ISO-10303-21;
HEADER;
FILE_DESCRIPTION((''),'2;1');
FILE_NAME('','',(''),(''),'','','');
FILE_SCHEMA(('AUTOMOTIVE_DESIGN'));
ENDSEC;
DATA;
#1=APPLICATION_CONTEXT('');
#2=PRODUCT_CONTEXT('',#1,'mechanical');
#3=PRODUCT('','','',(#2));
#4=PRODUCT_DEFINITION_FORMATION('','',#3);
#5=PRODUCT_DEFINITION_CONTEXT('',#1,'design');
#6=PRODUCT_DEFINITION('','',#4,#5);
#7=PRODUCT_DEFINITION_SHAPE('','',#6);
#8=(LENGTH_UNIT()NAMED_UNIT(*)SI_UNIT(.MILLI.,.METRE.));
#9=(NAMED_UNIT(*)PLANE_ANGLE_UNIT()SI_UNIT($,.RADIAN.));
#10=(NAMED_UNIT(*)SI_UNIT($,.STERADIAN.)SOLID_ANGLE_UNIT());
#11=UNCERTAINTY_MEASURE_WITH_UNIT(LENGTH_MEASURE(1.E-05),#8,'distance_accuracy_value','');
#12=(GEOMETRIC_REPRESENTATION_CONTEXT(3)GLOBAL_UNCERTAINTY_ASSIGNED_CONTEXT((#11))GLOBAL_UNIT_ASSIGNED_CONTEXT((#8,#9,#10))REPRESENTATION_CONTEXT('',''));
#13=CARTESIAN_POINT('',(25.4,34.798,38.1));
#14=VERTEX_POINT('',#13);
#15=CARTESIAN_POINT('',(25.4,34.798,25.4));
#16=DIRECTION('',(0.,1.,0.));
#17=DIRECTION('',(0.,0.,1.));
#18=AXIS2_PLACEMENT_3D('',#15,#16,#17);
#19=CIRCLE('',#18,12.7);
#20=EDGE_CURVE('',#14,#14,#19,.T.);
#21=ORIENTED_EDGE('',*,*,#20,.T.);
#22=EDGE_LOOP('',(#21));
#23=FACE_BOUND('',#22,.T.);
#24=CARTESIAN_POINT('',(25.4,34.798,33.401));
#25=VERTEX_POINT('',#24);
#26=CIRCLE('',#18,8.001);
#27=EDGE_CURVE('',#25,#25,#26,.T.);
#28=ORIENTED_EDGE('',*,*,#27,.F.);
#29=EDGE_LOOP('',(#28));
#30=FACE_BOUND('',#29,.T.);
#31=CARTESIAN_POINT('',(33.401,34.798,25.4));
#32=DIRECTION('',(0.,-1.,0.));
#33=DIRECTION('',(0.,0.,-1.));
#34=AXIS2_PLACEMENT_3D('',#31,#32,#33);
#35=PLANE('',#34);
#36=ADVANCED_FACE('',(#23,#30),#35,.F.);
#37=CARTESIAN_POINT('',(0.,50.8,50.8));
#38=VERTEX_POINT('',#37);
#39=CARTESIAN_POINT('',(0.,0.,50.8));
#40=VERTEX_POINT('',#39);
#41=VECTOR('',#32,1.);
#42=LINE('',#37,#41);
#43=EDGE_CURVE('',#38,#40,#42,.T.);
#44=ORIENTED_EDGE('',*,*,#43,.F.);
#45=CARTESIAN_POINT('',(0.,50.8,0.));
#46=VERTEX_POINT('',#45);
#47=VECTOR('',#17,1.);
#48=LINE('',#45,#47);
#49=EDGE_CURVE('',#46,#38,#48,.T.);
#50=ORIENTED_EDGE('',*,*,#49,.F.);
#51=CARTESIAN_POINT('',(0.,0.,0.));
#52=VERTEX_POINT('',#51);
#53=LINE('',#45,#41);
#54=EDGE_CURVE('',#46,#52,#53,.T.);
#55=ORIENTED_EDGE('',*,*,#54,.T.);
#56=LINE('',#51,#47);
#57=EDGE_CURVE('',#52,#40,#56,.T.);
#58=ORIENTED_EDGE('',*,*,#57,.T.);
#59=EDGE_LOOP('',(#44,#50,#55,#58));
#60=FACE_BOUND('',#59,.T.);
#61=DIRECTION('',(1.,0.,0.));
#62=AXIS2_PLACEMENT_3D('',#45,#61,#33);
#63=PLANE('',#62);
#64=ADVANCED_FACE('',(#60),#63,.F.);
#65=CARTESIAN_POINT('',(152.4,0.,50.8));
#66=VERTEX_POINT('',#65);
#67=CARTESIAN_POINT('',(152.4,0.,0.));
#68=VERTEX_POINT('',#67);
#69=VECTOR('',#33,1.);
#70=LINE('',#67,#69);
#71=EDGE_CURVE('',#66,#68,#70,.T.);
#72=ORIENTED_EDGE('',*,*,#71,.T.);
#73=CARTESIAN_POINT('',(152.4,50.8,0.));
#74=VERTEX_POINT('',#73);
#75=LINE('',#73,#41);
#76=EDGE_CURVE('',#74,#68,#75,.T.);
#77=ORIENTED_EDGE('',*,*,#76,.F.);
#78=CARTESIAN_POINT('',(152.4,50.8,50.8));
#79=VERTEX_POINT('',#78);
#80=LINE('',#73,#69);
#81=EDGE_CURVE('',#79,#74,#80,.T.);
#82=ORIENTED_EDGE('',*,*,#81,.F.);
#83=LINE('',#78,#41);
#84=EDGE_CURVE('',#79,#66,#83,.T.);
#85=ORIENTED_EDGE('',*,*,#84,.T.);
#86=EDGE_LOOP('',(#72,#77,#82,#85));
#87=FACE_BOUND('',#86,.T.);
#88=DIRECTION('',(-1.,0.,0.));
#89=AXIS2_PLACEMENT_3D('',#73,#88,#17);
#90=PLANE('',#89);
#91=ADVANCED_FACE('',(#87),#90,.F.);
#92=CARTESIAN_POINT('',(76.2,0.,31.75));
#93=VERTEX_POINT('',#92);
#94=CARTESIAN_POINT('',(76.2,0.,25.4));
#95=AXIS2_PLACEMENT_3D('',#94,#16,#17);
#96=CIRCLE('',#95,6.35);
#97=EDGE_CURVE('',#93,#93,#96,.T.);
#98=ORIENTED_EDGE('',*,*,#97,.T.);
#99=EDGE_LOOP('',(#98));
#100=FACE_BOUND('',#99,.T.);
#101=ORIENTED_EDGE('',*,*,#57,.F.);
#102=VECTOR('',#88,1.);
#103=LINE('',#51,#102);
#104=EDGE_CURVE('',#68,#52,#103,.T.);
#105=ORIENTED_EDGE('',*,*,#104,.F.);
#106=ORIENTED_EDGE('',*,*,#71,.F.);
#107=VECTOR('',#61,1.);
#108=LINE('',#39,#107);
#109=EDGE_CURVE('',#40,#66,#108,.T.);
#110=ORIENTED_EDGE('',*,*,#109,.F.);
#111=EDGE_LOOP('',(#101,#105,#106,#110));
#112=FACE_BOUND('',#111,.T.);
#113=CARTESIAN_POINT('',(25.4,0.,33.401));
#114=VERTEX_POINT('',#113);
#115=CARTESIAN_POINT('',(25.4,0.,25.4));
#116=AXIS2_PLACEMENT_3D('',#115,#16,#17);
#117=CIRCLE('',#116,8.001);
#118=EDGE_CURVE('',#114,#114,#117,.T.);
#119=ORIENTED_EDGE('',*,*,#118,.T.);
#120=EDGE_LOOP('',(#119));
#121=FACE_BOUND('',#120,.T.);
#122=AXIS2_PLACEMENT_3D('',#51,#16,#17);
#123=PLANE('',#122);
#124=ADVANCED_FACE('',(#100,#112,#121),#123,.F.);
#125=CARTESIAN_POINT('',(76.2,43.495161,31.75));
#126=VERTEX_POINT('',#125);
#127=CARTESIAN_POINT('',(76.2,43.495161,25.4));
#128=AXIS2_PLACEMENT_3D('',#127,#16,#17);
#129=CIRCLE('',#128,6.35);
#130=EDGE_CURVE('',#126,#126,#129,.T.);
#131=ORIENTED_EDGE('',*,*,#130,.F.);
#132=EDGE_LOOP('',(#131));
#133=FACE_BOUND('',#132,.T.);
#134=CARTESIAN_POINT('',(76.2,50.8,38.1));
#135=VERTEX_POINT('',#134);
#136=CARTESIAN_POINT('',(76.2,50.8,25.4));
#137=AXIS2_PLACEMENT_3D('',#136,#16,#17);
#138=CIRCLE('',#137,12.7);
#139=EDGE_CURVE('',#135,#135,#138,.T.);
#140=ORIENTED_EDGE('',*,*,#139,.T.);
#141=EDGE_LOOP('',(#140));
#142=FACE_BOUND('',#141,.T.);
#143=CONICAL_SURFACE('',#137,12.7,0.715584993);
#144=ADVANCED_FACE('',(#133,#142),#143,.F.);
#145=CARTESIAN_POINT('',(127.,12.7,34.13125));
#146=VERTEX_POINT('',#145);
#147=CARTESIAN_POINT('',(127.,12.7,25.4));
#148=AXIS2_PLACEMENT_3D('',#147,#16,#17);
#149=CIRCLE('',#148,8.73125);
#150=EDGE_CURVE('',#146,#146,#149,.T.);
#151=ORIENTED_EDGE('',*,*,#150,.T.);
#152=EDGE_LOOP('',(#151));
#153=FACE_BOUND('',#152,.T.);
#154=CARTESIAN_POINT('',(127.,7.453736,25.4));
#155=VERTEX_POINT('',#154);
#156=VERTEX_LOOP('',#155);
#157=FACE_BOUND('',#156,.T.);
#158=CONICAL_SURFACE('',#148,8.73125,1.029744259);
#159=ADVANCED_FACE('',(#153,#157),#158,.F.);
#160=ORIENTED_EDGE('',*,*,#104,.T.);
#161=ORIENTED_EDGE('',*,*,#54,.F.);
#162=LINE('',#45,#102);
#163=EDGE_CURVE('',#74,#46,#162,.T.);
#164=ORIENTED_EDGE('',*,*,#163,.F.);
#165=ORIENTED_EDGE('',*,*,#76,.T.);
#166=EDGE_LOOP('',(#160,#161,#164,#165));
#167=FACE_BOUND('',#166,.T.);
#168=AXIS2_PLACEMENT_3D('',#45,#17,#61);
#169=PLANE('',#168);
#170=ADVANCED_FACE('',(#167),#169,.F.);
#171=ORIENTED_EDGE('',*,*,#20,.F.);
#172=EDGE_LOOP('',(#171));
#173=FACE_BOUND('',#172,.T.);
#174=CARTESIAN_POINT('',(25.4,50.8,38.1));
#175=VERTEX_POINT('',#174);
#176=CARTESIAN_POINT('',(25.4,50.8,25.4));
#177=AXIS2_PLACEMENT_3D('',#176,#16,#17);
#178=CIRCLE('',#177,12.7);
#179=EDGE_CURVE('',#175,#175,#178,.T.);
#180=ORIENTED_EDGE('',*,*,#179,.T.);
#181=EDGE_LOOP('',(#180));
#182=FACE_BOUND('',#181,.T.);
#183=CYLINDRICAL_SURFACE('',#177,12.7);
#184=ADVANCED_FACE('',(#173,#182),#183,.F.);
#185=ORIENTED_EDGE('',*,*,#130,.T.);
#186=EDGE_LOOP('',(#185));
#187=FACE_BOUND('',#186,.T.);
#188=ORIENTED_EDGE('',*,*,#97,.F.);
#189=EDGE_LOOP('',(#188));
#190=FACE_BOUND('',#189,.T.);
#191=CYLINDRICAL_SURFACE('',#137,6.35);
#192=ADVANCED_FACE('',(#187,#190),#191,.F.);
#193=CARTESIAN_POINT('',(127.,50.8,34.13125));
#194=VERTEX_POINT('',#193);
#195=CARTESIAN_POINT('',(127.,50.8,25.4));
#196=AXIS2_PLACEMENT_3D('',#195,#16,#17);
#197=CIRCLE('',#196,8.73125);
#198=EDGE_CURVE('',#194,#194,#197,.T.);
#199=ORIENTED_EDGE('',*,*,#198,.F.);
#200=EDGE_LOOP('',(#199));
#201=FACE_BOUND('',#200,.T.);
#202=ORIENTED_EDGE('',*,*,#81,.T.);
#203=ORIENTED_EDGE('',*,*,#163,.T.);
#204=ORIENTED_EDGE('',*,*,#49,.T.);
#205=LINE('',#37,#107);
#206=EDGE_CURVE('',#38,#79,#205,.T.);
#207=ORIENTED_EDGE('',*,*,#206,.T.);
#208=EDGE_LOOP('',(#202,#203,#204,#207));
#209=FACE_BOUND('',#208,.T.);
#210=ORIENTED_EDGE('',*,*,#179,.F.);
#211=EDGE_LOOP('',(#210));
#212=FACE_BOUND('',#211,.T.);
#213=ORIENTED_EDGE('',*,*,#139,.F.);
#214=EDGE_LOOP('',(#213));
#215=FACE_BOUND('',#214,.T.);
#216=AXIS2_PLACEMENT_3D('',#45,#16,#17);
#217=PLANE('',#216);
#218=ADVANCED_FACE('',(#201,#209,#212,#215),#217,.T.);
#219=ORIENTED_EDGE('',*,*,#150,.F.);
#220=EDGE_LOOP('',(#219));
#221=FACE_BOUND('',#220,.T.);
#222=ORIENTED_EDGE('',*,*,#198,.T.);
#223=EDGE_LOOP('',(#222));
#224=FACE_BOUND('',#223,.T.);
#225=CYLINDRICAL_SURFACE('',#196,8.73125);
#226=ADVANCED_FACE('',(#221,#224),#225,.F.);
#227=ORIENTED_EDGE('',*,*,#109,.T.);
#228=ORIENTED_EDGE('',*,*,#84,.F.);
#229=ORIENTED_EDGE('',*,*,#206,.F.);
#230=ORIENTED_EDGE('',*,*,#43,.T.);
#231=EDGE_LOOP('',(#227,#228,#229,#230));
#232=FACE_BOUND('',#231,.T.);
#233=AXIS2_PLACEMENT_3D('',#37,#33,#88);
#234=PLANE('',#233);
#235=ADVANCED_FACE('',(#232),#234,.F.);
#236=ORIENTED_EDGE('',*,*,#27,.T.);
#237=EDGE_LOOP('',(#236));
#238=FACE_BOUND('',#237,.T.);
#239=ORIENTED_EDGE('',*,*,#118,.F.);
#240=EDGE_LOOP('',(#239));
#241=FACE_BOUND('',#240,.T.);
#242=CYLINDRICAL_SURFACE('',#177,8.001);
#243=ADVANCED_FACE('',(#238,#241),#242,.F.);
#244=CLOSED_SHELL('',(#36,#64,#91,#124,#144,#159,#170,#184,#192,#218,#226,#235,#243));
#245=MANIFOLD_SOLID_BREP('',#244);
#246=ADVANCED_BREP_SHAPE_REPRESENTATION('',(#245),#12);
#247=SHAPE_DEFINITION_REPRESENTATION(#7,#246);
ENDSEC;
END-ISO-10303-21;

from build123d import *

# Parameters (mm, degrees)
SKETCH1_W                                           = 152.4
SKETCH1_H                                           = 50.8
BOSS_EXTRUDE1_DEPTH                                 = 50.8
F_3_4_16_TAPPED_HOLE1_D                             = 17.4625
F_3_4_16_TAPPED_HOLE1_DEPTH                         = 38.1
F_3_4_16_TAPPED_HOLE1_TIP                           = 5.24626428
CBORE_FOR_0_BINDING_HEAD_MACHINE_SCREW2_D           = 16.002
CBORE_FOR_0_BINDING_HEAD_MACHINE_SCREW2_CBORE_D     = 25.4
CBORE_FOR_0_BINDING_HEAD_MACHINE_SCREW2_CBORE_DEPTH = 16.002
CSK_FOR_0_FLAT_HEAD_MACHINE_SCREW_100_D             = 12.7
CSK_FOR_0_FLAT_HEAD_MACHINE_SCREW_100_CSINK_D       = 25.4
CSK_FOR_0_FLAT_HEAD_MACHINE_SCREW_100_CSINK_ANGLE   = 82


with BuildPart() as part:
    # Sketch1 → Boss-Extrude1 (new body)
    with BuildSketch(Plane(origin=(0, 0, 0), x_dir=(1, 0, 0), z_dir=(0, 1, 0))):
        with Locations((76.2, -25.4)):
            Rectangle(SKETCH1_W, SKETCH1_H)
    extrude(amount=BOSS_EXTRUDE1_DEPTH)

    # 3/4-16 Tapped Hole1
    with Locations(Plane(origin=(0, 50.8, 0), x_dir=(1, 0, 0), z_dir=(0, 1, 0))):
        with Locations((127, -25.4)):
            Hole(F_3_4_16_TAPPED_HOLE1_D / 2, depth=F_3_4_16_TAPPED_HOLE1_DEPTH)
            with Locations((0, 0, -(F_3_4_16_TAPPED_HOLE1_DEPTH + F_3_4_16_TAPPED_HOLE1_TIP / 2))):  # 118° drill point
                Cone(0, F_3_4_16_TAPPED_HOLE1_D / 2, F_3_4_16_TAPPED_HOLE1_TIP, mode=Mode.SUBTRACT)

    # CBORE for #0 Binding Head Machine Screw2 (through all)
    with Locations(Plane(origin=(0, 50.8, 0), x_dir=(1, 0, 0), z_dir=(0, 1, 0))):
        with Locations((25.4, -25.4)):
            CounterBoreHole(CBORE_FOR_0_BINDING_HEAD_MACHINE_SCREW2_D / 2, CBORE_FOR_0_BINDING_HEAD_MACHINE_SCREW2_CBORE_D / 2, CBORE_FOR_0_BINDING_HEAD_MACHINE_SCREW2_CBORE_DEPTH)

    # CSK for #0 Flat Head Machine Screw (100)3 (through all)
    with Locations(Plane(origin=(0, 50.8, 0), x_dir=(1, 0, 0), z_dir=(0, 1, 0))):
        with Locations((76.2, -25.4)):
            CounterSinkHole(CSK_FOR_0_FLAT_HEAD_MACHINE_SCREW_100_D / 2, CSK_FOR_0_FLAT_HEAD_MACHINE_SCREW_100_CSINK_D / 2, counter_sink_angle=CSK_FOR_0_FLAT_HEAD_MACHINE_SCREW_100_CSINK_ANGLE)


solid = part.part
